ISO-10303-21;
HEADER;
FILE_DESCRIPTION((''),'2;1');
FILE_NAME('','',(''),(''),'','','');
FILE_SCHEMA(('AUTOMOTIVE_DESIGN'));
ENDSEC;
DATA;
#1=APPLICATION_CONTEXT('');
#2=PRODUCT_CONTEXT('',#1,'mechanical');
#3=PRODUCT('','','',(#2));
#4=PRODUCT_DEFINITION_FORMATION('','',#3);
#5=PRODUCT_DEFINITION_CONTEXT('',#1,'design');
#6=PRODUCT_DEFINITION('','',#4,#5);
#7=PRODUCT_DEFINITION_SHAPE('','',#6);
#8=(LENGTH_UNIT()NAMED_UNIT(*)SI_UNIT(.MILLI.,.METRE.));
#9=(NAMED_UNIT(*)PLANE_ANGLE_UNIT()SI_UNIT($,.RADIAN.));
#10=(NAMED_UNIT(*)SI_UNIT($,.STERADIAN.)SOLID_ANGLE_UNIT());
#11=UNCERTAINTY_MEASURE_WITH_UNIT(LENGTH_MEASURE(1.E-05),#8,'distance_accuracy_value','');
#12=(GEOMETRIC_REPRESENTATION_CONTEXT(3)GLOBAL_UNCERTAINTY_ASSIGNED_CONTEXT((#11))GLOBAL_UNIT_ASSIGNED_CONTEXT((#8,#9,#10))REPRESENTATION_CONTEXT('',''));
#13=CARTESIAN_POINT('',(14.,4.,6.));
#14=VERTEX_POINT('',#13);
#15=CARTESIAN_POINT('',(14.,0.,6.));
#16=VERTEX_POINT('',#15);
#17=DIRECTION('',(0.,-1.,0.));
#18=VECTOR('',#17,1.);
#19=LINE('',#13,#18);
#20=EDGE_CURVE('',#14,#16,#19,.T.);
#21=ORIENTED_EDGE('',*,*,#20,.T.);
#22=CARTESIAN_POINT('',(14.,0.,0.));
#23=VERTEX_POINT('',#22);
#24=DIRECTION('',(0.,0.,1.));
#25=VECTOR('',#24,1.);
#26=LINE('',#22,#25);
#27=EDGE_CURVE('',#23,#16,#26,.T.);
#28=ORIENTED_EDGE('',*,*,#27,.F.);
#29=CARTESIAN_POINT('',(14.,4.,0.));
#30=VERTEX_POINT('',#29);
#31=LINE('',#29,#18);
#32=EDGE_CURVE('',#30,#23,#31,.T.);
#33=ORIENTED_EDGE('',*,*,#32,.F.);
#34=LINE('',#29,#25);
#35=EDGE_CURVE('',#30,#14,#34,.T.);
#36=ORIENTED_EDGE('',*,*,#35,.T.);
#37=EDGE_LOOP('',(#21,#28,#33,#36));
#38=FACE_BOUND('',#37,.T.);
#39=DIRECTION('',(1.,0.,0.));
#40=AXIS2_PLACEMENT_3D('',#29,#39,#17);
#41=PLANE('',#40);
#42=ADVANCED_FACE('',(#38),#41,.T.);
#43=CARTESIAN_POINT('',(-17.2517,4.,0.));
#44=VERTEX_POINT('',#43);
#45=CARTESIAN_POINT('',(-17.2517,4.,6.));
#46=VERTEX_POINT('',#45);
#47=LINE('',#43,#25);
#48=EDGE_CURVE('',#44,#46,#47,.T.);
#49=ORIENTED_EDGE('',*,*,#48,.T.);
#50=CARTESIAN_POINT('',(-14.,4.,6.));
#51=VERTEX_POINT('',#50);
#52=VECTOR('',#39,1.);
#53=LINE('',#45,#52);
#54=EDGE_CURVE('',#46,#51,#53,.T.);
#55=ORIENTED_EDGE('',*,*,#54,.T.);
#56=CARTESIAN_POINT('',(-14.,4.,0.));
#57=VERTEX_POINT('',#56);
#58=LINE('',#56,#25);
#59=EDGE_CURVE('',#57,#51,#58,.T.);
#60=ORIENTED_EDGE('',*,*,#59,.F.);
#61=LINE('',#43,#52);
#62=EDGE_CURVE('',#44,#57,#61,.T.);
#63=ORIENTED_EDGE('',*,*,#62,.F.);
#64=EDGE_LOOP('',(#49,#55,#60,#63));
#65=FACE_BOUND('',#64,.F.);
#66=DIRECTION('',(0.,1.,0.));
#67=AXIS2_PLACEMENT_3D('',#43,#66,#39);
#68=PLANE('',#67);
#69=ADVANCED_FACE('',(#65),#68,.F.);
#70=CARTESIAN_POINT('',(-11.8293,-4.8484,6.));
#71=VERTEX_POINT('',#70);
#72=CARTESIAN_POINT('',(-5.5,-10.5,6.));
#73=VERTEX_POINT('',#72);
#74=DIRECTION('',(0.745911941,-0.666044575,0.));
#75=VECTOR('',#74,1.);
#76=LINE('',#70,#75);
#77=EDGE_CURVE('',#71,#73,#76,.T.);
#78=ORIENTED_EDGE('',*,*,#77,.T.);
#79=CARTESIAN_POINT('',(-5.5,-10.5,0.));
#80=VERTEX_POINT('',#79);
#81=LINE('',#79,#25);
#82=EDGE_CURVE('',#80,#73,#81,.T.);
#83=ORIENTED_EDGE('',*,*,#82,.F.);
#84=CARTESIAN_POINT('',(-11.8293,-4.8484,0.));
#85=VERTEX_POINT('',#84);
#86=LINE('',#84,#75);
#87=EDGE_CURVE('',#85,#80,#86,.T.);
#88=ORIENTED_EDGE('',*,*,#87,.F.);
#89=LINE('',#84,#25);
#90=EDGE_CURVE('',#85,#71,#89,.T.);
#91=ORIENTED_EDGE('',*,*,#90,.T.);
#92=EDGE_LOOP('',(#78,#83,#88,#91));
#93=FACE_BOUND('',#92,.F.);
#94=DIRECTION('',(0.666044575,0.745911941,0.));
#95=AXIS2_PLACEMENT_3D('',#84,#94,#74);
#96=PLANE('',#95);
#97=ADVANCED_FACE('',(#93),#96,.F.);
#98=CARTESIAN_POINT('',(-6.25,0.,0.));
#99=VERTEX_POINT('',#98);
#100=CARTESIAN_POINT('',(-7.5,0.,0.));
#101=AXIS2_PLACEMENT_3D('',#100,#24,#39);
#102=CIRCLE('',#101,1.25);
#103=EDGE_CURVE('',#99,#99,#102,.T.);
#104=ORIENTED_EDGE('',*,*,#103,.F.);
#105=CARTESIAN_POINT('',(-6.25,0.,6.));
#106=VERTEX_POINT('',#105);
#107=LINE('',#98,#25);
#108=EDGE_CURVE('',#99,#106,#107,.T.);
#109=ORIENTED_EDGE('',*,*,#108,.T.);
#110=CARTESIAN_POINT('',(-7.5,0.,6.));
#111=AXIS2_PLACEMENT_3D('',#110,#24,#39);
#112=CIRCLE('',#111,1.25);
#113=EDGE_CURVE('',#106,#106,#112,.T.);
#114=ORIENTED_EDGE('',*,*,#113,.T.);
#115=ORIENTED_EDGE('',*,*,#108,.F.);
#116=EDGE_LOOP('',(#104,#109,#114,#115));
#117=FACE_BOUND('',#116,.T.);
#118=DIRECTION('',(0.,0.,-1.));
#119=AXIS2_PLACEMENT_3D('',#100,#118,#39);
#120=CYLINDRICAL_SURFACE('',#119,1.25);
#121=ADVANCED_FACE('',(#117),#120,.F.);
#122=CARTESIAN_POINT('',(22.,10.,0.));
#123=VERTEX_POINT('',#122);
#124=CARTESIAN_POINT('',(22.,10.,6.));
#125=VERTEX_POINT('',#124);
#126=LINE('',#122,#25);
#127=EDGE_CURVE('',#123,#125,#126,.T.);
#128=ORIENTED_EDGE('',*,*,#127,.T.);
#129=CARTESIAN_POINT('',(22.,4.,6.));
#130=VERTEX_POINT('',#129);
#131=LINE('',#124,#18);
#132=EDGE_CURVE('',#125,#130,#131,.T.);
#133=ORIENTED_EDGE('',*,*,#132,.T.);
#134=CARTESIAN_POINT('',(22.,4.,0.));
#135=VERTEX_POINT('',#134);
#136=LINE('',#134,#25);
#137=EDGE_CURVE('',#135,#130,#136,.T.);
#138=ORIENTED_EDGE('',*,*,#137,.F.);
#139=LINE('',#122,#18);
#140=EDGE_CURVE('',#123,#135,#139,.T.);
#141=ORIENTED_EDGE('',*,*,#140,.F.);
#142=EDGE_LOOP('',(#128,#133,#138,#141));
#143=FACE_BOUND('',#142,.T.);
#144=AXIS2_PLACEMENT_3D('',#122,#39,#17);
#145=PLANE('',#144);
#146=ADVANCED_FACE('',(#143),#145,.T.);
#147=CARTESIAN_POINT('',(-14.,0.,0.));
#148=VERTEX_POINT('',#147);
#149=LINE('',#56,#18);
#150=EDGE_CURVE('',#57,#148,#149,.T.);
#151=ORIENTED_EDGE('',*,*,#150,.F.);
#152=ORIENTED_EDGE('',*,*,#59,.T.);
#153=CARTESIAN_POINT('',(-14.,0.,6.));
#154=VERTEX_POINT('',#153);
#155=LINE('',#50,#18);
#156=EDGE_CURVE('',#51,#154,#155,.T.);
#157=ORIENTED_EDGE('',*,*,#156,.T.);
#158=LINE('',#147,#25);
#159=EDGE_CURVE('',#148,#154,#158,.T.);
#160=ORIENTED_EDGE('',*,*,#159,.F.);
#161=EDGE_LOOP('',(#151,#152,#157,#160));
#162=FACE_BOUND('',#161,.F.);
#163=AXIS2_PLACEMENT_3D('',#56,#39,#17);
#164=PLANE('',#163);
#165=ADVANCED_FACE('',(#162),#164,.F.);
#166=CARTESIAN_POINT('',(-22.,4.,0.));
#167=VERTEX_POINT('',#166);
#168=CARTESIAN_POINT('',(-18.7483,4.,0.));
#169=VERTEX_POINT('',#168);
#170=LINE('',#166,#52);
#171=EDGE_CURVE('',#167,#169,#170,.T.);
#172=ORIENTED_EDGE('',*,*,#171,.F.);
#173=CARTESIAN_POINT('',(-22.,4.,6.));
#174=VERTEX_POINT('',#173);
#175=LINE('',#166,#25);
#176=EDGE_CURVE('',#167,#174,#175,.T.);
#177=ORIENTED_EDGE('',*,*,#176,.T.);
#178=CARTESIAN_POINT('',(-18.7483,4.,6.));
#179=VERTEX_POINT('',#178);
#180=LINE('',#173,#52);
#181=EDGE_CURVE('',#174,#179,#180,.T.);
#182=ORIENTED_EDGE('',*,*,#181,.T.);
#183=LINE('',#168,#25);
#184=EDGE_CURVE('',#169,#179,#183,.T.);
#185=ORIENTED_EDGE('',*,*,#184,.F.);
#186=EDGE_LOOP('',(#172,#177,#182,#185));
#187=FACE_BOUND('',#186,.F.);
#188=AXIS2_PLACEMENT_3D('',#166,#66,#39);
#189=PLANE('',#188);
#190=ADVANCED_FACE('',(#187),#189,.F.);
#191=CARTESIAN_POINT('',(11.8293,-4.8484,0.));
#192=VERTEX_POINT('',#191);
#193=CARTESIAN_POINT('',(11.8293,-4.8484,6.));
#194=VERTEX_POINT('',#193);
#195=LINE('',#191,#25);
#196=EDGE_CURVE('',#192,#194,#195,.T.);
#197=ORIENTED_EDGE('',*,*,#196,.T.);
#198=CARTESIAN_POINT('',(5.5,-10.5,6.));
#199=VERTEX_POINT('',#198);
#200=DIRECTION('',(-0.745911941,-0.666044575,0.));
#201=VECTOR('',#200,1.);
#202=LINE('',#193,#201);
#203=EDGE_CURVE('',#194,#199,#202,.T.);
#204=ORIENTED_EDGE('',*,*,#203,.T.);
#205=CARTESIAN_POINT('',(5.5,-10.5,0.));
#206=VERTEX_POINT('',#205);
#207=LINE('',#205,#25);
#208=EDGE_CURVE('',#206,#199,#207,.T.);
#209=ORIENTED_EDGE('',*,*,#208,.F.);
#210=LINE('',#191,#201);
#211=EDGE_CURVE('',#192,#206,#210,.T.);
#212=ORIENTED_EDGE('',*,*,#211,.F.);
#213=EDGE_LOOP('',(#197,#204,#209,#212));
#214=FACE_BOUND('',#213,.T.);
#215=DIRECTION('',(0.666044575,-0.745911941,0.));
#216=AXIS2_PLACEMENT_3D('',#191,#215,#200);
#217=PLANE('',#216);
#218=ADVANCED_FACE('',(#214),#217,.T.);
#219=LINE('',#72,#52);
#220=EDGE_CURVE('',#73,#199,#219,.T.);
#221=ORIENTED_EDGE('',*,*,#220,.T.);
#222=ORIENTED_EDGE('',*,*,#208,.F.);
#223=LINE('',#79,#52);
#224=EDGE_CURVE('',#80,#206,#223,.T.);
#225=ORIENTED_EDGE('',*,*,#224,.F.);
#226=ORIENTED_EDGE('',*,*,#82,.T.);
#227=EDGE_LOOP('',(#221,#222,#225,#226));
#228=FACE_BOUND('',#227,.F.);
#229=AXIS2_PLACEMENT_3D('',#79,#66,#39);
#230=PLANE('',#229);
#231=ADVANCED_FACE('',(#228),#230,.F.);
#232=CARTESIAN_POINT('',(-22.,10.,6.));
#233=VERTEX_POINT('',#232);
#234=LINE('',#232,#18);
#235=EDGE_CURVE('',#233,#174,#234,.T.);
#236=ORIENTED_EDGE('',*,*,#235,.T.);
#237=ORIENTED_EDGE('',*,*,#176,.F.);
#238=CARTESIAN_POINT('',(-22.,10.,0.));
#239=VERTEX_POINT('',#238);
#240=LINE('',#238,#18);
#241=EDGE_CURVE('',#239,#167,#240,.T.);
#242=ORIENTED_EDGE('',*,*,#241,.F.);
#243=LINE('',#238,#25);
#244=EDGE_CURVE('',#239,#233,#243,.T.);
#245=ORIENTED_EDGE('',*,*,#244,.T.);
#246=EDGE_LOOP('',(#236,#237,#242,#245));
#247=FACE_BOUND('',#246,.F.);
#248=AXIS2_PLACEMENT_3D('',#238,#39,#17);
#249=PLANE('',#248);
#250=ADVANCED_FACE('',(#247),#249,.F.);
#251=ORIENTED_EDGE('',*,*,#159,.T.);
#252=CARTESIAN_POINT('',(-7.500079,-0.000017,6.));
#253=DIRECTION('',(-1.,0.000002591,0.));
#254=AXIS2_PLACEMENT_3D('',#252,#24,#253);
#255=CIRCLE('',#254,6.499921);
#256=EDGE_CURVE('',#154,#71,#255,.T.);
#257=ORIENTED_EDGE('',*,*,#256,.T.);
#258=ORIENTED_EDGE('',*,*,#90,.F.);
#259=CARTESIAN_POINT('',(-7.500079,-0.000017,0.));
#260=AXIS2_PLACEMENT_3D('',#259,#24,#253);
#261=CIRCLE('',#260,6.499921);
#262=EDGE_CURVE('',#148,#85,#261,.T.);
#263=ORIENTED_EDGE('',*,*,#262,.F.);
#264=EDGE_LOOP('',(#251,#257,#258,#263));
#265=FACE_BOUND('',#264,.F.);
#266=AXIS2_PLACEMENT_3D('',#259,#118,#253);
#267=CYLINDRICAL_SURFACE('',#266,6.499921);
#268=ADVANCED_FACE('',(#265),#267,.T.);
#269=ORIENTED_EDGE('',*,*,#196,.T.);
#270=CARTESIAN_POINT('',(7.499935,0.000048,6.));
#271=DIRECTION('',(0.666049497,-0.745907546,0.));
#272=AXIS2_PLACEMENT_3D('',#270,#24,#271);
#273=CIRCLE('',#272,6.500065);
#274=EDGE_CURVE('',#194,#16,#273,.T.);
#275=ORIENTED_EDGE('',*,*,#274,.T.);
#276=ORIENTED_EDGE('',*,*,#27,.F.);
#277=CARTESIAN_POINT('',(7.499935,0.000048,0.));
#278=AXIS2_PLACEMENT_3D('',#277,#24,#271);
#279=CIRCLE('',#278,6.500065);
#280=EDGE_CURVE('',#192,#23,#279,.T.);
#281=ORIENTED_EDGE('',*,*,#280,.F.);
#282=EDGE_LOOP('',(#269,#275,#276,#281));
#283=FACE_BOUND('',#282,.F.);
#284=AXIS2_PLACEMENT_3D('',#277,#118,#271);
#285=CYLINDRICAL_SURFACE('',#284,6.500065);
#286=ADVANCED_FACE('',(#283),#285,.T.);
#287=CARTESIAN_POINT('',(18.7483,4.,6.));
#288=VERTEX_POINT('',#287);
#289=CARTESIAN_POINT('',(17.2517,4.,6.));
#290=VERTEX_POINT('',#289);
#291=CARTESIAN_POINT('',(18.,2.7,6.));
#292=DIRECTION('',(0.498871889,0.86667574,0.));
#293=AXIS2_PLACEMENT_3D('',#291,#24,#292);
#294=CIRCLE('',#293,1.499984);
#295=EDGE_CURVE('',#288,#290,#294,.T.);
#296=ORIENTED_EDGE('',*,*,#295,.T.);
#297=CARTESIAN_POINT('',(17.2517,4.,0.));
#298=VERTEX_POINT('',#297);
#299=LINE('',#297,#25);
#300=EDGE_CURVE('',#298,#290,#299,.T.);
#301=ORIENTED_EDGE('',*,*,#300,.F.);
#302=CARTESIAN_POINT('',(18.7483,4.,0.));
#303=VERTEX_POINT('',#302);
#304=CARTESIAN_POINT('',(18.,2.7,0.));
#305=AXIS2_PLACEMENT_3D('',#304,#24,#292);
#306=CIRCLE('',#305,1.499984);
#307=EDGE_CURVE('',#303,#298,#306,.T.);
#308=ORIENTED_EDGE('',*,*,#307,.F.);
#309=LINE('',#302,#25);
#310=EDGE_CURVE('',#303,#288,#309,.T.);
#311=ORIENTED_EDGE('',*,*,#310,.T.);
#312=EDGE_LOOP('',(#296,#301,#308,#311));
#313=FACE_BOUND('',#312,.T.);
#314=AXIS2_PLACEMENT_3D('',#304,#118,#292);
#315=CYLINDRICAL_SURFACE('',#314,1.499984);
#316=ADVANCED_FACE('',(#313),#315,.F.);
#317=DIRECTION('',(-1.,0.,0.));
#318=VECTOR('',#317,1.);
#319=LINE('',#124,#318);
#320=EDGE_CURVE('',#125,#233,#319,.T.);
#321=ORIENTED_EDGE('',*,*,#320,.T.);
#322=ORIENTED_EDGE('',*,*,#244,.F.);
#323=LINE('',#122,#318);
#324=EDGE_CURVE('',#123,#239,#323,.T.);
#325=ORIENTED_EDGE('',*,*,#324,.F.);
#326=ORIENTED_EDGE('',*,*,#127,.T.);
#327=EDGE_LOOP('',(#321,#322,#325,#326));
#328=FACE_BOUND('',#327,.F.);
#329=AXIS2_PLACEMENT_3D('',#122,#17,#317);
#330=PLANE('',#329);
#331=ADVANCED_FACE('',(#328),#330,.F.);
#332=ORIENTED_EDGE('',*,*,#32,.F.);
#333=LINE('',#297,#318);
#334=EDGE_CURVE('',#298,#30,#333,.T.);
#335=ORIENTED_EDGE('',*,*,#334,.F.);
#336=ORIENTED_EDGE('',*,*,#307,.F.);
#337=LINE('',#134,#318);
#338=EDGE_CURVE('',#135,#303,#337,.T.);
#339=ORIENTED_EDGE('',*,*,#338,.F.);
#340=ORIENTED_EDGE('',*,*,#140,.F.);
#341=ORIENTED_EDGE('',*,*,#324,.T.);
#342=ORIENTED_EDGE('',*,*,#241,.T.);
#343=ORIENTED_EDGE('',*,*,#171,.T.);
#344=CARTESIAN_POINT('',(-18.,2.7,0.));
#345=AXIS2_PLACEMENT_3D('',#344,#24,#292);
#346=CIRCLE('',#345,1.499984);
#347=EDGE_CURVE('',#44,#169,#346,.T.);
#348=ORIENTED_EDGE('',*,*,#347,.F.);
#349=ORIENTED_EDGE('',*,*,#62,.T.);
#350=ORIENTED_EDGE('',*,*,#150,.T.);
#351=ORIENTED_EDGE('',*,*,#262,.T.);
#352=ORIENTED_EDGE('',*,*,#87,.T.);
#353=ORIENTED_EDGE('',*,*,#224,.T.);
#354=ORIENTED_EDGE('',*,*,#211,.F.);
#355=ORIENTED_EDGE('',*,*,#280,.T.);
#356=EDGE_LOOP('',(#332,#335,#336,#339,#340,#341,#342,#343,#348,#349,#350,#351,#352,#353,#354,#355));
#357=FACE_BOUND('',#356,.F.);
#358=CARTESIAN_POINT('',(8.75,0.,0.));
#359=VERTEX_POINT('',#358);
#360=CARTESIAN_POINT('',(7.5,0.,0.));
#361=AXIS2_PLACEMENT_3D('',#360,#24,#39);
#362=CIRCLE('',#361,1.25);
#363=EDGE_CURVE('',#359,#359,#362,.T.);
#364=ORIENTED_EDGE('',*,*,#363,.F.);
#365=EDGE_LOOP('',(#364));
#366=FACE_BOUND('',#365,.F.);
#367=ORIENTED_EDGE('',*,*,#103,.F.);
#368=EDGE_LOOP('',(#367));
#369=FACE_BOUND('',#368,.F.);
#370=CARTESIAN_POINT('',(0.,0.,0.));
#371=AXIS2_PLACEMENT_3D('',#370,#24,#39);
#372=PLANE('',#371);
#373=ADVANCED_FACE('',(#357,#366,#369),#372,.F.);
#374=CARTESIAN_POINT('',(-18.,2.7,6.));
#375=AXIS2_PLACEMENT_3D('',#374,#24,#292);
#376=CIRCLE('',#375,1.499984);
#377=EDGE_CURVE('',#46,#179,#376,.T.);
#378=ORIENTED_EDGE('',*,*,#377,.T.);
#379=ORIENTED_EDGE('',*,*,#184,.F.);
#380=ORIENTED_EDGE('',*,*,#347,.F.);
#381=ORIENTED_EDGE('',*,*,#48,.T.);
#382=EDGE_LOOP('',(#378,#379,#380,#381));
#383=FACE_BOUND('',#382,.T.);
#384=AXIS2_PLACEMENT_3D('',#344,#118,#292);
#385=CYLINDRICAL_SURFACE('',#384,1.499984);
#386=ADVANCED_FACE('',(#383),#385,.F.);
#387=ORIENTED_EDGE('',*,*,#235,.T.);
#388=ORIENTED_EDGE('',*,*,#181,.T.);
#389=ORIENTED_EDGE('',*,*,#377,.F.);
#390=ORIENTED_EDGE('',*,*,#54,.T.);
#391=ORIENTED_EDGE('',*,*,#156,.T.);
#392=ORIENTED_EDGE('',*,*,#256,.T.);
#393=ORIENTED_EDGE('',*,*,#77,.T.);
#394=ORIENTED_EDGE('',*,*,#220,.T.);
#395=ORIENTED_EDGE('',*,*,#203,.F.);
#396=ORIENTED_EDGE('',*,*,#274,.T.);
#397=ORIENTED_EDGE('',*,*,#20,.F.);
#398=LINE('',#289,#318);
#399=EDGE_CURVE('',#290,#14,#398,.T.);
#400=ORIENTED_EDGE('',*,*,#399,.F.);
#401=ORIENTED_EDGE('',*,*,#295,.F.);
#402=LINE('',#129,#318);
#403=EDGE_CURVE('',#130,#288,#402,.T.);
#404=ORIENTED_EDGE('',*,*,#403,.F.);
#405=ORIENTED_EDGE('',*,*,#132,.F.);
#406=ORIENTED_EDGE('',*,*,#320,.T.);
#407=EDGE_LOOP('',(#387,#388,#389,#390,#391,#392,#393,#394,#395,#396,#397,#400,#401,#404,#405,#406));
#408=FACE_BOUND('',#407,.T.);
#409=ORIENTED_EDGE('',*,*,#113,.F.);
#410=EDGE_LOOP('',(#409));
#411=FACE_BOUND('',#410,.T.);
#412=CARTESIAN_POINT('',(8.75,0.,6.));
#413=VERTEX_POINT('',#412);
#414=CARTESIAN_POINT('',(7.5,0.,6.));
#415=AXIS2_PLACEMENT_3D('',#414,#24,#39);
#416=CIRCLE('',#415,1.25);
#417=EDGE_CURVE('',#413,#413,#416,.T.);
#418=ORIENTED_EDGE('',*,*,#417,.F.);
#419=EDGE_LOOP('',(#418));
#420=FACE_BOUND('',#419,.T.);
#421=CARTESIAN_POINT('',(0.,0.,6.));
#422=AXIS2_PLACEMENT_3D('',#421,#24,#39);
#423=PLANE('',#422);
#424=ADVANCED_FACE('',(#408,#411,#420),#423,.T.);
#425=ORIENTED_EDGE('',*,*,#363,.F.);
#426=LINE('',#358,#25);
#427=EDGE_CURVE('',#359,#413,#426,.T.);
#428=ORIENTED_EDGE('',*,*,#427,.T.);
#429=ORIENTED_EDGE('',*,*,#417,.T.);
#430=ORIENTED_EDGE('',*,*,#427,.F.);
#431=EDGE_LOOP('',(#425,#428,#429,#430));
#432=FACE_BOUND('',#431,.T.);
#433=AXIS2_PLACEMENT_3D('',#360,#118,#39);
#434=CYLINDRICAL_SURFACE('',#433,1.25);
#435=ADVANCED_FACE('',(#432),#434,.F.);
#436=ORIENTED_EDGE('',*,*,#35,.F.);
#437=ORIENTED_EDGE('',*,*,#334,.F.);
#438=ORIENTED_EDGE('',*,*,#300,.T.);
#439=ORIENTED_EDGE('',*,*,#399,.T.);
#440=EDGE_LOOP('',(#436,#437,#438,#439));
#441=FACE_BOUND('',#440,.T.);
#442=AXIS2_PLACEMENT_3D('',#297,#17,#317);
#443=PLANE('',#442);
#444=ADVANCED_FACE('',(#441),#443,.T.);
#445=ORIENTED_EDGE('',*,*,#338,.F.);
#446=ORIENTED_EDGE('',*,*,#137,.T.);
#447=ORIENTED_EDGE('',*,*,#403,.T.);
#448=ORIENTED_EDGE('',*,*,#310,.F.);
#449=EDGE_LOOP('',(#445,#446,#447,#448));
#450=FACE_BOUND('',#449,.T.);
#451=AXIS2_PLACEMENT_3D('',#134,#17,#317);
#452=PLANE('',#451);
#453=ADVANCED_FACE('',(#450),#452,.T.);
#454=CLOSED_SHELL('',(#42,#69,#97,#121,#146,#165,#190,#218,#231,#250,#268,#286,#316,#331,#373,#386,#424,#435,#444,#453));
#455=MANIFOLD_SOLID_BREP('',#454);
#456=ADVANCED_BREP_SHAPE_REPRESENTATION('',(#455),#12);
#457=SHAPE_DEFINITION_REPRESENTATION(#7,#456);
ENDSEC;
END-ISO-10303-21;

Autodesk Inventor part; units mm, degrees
ref_plane "YZ Plane" through (0, 0, 0) normal (1, 0, 0) x (0, 1, 0)
ref_plane "XZ Plane" through (0, 0, 0) normal (0, 1, 0) x (-1, 0, 0)
ref_plane "XY Plane" through (0, 0, 0) normal (0, 0, 1) x (1, 0, 0)
sketch "スケッチ1" plane through (0, 0, 0) normal (0, 0, 1) x (1, 0, 0)
  circle A0 centre (-7.5, 0) radius 1.25
  circle A1 centre (7.5, 0) radius 1.25
  line L0 (-14, -10.5) -> (-5.5, -10.5) construction
  line L1 (22, 10) -> (-22, 10)
  arc A2 (-18.7483, 4) -> (-17.2517, 4) centre (-18, 2.7) ccw construction
  arc A3 (17.2517, 4) -> (18.7483, 4) centre (18, 2.7) ccw construction
  line L2 (-22, 10) -> (-22, 4)
  line L3 (-22, 4) -> (-18.7483, 4)
  line L4 (-14, 4) -> (-14, 0)
  line L5 (22, 10) -> (22, 4)
  line L6 (22, 4) -> (18.7483, 4)
  line L7 (14, 4) -> (14, 0)
  arc A4 (-17.2517, 4) -> (-18.7483, 4) centre (-18, 2.7) ccw
  line L8 (-18.7483, 4) -> (-17.2517, 4) construction
  line L9 (-17.2517, 4) -> (-14, 4)
  arc A5 (18.7483, 4) -> (17.2517, 4) centre (18, 2.7) ccw
  line L10 (18.7483, 4) -> (17.2517, 4) construction
  line L11 (17.2517, 4) -> (14, 4)
  arc A6 (-14, 0) -> (-11.8293, -4.8484) centre (-7.5, 0) ccw
  arc A7 (11.8293, -4.8484) -> (14, 0) centre (7.5, 0) ccw
  line L12 (-11.8293, -4.8484) -> (-5.5, -10.5)
  line L13 (11.8293, -4.8484) -> (5.5, -10.5)
  line L14 (-14, 0) -> (-14, -10.5) construction
  line L15 (-5.5, -10.5) -> (5.5, -10.5)
  line L16 (5.5, -10.5) -> (14, -10.5) construction
  line L17 (14, 0) -> (14, -10.5) construction
  point P0 (0, 0)
  dimension "d0" = 2.5
  dimension "d1" = 2.5
  dimension "d2" = 15
  dimension "d3" = 7.5
  dimension "d8" = 10.5
  dimension "d9" = 10
  dimension "d15" = 3
  dimension "d16" = 3
  dimension "d21" = 6.5
  dimension "d22" = 6.5
  dimension "d23" = 10.5
  dimension "d24" = 6
  dimension "d25" = 6
  dimension "d26" = 8
  dimension "d27" = 8
  dimension "d28" = 1.3
  dimension "d29" = 1.3
  dimension "d30" = 4
  dimension "d31" = 4
  dimension "d34" = 11
  dimension "d35" = 5.5
extrude "押し出し1" add sketch "スケッチ1" along normal blind 6
equation "\"d3\" = 0.5 * d2"
equation "\"d35\" = 0.5 * d34"
properties part number "ベルト固定_アルミ"
